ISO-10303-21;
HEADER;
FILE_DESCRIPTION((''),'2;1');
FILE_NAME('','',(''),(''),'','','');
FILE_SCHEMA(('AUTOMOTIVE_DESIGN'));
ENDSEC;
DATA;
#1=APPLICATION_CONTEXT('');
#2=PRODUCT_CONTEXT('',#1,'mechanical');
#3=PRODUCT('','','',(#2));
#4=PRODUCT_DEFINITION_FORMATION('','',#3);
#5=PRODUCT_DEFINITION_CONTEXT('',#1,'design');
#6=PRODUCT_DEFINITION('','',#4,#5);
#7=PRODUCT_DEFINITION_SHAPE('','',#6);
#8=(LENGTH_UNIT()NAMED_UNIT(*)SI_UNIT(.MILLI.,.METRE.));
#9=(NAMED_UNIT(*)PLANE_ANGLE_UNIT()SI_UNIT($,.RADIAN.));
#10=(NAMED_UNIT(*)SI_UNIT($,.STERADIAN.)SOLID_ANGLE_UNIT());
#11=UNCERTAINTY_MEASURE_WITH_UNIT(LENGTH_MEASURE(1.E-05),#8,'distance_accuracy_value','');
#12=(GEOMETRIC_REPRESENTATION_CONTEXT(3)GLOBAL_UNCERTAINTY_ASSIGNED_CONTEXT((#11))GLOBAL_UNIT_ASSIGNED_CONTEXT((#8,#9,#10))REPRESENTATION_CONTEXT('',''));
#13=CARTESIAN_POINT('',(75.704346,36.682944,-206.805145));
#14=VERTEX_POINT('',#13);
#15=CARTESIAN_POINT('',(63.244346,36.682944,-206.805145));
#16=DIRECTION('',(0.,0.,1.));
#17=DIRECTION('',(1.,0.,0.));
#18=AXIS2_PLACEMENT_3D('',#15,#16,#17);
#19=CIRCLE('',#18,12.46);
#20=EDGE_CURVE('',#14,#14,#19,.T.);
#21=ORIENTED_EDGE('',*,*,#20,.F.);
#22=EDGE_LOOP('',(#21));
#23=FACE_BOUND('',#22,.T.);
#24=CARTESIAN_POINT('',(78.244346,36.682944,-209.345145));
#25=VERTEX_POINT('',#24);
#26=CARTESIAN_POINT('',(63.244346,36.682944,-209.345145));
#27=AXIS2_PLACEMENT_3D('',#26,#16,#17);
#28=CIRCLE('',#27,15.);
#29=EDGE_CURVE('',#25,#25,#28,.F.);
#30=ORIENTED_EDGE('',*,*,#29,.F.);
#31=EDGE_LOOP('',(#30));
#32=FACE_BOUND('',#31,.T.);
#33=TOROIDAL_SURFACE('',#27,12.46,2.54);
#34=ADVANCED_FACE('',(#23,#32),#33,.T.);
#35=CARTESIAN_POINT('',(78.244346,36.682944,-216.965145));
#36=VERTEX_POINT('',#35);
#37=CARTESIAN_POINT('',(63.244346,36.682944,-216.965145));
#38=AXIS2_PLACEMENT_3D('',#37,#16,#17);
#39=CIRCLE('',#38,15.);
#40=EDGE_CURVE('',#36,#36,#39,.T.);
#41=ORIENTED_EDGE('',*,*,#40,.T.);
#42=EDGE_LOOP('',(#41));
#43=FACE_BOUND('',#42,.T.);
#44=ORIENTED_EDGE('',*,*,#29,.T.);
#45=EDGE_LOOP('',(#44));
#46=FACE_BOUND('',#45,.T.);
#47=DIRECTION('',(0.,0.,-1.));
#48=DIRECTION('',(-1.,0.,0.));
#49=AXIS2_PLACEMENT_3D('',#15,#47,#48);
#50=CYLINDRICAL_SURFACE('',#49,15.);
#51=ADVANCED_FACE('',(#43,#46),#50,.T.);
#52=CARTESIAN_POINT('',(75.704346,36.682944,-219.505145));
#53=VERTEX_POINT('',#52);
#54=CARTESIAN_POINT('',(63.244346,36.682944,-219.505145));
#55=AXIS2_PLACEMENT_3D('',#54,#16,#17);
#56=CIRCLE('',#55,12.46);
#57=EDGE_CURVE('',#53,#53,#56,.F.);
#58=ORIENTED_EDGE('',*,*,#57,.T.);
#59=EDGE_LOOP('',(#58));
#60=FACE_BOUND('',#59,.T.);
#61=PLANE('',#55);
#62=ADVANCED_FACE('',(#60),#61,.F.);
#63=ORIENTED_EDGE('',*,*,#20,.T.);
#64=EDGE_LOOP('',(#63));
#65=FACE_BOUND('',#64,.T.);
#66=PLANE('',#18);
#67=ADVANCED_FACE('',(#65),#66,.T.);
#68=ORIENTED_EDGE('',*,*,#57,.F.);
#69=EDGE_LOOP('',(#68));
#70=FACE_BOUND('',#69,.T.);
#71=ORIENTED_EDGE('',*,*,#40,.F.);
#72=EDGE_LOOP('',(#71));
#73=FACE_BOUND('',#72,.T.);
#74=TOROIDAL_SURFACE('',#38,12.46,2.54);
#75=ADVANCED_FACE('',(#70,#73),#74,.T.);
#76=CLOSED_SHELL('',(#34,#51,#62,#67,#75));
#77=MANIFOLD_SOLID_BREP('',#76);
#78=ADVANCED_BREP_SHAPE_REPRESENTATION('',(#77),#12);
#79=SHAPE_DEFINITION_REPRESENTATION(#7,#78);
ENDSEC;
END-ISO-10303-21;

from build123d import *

# Parameters (mm, degrees)
SKETCH1_R           = 15
BOSS_EXTRUDE1_DEPTH = 12.7
FILLET1_R           = 2.54


with BuildPart() as part:
    # Sketch1 → Boss-Extrude1 (new body)
    with BuildSketch(Plane(origin=(39.613167077, -21.595737593, -219.505144919), x_dir=(1, 0, 0), z_dir=(0, 0, 1))):
        with Locations((23.631178541, 58.278681693)):
            Circle(SKETCH1_R)
    extrude(amount=BOSS_EXTRUDE1_DEPTH)

    # Fillet1
    fillet1_edges = [part.edges().sort_by_distance(p)[0] for p in [
        (48.244345617, 36.6829441, -219.505144919),
        (48.244345617, 36.6829441, -206.805144919),
    ]]
    fillet(fillet1_edges, radius=FILLET1_R)


solid = part.part
